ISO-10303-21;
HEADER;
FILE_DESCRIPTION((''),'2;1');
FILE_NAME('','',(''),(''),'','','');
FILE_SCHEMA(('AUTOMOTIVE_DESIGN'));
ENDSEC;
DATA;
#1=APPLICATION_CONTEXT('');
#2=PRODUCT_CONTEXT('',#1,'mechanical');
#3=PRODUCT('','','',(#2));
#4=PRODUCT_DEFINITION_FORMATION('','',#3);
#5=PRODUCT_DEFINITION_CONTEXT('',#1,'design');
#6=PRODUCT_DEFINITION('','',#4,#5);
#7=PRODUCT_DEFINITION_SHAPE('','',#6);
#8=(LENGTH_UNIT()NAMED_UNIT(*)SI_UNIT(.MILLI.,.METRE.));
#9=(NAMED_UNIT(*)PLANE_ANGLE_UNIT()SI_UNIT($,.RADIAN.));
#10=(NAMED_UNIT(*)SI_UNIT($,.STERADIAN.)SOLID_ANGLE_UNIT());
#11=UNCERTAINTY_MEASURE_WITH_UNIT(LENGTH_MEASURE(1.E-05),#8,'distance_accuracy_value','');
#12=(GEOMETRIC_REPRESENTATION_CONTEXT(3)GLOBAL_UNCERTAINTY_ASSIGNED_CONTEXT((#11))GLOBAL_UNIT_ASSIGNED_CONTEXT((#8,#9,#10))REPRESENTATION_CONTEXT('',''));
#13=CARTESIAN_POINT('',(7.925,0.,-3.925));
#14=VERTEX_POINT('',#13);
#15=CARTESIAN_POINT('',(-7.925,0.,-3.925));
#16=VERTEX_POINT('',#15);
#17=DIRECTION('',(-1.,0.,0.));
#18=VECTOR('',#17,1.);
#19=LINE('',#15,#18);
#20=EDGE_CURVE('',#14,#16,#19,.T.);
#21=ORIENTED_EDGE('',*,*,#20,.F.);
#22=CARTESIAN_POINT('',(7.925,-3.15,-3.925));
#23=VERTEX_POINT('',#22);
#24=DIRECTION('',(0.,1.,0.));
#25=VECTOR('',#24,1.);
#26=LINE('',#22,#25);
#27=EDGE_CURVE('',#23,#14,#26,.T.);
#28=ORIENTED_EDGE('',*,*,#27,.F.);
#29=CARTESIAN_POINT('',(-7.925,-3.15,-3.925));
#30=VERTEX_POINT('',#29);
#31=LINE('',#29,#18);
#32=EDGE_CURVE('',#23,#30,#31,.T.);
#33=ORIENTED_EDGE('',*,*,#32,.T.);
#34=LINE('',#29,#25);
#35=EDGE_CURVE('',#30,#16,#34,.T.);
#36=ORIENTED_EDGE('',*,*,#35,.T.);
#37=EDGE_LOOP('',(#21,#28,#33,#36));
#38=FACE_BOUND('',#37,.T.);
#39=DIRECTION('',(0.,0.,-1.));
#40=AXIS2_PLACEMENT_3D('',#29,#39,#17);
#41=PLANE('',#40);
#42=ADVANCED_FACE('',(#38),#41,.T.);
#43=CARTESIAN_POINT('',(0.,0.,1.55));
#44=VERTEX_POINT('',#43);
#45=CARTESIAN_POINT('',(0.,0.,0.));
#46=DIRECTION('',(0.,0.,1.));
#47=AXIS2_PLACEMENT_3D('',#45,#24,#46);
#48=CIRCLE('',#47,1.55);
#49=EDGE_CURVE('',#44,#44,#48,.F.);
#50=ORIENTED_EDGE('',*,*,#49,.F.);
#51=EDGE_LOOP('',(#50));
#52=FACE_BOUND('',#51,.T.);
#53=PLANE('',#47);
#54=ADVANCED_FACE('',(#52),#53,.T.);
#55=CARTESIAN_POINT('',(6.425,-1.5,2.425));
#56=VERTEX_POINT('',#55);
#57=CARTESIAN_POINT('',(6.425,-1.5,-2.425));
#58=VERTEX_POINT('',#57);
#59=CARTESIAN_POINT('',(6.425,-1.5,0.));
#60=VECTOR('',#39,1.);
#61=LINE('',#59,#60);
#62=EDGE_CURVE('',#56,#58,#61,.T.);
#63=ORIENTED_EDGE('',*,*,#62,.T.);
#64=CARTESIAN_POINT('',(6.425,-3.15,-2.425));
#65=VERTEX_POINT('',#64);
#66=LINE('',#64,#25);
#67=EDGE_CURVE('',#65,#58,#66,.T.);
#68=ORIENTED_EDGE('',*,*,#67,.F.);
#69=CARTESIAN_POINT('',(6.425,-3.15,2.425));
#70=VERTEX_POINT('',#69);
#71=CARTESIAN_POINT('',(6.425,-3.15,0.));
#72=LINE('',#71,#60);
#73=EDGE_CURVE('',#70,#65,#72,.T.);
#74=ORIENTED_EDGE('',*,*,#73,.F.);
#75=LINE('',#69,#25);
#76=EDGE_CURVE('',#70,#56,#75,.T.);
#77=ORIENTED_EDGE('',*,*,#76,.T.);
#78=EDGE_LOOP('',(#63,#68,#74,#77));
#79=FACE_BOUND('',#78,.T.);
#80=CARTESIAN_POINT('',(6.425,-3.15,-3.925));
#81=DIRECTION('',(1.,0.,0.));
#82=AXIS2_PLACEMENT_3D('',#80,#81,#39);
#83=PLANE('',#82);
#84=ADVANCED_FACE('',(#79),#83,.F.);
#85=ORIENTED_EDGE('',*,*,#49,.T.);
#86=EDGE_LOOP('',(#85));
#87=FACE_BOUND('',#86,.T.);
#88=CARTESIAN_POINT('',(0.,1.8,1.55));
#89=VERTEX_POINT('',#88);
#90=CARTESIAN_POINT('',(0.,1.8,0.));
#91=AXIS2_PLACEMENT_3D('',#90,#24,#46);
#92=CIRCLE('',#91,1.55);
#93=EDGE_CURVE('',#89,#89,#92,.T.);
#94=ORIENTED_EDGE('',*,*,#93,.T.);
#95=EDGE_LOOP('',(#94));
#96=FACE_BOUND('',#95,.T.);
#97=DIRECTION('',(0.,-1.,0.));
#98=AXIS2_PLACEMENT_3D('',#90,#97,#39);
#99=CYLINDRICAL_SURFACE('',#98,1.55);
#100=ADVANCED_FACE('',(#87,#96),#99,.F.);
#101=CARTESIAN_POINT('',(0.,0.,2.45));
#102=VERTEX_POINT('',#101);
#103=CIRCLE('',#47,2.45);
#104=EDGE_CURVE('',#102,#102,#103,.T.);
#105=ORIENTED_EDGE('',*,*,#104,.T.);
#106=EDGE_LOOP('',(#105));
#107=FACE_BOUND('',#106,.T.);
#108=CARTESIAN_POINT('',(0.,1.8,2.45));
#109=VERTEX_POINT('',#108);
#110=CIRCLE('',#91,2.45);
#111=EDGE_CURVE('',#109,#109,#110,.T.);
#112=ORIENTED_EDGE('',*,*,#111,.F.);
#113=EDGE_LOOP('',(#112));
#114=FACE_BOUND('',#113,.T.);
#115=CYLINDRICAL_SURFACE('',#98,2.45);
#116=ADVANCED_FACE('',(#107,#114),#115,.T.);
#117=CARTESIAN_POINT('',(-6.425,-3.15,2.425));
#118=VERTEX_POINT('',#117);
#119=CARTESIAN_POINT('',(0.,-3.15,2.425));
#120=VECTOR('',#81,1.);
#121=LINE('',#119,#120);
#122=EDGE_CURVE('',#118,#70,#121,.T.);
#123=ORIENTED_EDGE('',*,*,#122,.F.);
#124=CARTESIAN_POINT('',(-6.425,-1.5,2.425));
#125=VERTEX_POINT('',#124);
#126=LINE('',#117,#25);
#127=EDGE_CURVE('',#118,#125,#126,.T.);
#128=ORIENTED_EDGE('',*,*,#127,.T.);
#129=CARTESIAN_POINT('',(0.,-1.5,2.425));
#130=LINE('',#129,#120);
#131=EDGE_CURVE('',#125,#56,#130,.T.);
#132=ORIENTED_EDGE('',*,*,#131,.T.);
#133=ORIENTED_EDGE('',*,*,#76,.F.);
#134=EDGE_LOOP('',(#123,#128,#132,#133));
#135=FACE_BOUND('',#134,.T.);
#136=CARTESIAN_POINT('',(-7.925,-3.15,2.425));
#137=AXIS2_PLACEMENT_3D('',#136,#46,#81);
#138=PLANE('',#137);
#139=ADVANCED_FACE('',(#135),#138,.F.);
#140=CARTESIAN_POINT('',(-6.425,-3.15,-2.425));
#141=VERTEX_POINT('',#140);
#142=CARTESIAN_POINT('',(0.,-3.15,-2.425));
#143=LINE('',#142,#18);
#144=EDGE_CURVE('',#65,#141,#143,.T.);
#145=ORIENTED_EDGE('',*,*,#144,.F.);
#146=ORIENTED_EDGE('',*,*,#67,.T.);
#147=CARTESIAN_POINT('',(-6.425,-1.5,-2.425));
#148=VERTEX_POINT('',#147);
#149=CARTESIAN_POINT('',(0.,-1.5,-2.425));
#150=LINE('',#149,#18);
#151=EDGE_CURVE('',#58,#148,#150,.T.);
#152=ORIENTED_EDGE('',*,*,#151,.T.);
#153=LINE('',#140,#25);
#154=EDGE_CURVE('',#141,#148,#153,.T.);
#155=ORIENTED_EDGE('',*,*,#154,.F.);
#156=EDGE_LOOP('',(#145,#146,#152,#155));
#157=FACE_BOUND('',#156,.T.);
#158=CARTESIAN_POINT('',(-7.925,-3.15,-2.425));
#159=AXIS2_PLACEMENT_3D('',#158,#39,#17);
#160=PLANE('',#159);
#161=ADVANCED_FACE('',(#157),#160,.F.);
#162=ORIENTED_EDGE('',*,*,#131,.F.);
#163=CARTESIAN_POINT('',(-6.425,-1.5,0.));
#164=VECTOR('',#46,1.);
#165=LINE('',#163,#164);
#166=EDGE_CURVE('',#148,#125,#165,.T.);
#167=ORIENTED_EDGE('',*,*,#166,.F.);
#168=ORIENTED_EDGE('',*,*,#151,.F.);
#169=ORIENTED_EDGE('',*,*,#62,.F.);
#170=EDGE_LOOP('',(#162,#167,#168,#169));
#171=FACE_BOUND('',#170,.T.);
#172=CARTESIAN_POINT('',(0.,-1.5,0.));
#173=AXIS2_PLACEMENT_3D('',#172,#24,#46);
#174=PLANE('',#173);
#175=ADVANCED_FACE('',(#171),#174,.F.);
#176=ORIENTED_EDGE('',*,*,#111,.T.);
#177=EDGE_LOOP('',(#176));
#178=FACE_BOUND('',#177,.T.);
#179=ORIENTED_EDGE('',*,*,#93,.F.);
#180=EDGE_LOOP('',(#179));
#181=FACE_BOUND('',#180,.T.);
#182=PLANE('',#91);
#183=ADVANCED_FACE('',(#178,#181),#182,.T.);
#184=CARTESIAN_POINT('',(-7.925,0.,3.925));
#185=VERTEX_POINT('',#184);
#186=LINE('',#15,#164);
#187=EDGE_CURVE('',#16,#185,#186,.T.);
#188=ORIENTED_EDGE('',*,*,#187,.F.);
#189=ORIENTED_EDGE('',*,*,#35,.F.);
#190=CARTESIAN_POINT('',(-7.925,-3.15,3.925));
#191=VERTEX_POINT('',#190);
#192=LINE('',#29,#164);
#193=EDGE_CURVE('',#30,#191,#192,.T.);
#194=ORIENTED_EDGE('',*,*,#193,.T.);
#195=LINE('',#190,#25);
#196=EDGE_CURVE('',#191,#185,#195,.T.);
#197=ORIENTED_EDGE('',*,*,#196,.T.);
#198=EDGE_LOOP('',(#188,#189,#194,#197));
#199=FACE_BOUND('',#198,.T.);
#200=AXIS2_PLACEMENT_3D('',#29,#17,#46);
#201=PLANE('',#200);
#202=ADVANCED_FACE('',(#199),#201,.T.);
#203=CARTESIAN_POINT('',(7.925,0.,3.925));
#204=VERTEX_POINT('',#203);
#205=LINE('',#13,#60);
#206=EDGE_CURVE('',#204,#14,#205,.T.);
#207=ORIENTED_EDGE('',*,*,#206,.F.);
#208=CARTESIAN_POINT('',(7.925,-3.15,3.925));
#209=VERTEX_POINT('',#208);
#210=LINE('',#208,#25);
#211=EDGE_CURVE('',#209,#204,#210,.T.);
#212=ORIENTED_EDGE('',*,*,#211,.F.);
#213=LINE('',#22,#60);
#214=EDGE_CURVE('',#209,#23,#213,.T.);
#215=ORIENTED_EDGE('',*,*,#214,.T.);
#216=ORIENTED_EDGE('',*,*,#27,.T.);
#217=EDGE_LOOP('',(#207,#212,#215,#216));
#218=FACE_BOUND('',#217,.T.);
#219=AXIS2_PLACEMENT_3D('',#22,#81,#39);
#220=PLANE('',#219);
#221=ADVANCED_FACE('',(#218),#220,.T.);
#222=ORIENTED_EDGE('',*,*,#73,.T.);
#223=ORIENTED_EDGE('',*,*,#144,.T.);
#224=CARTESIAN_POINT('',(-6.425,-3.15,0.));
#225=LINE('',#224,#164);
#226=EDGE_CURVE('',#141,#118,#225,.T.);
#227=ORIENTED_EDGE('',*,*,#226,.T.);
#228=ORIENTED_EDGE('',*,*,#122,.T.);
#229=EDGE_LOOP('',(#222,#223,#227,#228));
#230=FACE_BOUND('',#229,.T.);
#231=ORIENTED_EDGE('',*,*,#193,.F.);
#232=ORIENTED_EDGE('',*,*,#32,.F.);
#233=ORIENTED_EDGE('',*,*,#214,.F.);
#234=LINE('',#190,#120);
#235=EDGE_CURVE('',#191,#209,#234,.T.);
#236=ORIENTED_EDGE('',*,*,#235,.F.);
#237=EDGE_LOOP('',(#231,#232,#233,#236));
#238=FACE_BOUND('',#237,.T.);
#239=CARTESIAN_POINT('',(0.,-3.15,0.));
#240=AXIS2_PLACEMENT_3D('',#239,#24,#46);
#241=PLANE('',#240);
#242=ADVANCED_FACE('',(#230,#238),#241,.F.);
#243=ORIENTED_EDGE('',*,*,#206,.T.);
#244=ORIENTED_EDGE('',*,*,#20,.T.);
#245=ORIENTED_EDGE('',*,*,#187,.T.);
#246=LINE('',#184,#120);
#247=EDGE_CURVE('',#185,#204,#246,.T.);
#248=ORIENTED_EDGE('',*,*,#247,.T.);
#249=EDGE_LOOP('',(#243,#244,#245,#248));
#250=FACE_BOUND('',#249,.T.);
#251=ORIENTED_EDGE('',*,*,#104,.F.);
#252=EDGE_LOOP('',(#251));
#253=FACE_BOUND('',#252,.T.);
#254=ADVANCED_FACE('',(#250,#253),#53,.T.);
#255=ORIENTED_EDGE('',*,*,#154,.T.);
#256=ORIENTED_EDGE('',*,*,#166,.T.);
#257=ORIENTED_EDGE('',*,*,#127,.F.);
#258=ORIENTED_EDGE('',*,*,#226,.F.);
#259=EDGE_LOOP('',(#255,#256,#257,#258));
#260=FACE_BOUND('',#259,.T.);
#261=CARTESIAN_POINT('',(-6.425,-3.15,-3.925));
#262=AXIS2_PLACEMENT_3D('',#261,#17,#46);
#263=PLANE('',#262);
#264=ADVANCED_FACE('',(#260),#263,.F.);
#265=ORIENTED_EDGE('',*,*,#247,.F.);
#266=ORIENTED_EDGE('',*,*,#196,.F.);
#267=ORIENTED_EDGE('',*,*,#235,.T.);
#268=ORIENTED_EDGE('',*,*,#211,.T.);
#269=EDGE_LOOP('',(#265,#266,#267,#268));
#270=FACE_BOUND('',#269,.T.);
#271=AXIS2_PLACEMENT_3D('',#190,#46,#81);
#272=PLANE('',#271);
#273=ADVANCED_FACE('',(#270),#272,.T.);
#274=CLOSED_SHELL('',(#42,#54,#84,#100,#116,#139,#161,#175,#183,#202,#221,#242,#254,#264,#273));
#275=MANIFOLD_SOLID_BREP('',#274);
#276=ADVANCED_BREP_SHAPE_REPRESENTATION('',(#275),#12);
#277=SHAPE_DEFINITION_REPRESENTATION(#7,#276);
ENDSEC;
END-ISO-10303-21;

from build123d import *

# Parameters (mm, degrees)
SKETCH1_W           = 15.85
SKETCH1_H           = 7.85
BOSS_EXTRUDE1_DEPTH = 3.15
SHELL1_T            = -1.5
SKETCH2_R           = 2.45
SKETCH2_R_2         = 1.55
BOSS_EXTRUDE2_DEPTH = 1.8


with BuildPart() as part:
    # Sketch1 → Boss-Extrude1 (new body)
    with BuildSketch(Plane(origin=(0, 0, 0), x_dir=(1, 0, 0), z_dir=(0, 1, 0))):
        Rectangle(SKETCH1_W, SKETCH1_H)
    extrude(amount=-BOSS_EXTRUDE1_DEPTH)

    # Shell1
    shell1_openings = [part.faces().sort_by_distance(p)[0] for p in [
        (0, -3.15, 0),
    ]]
    offset(amount=SHELL1_T, openings=shell1_openings, kind=Kind.INTERSECTION)

    # Sketch2 → Boss-Extrude2 (add)
    with BuildSketch(Plane(origin=(0, 0, 0), x_dir=(1, 0, 0), z_dir=(0, 1, 0))):
        with Locations(Location((0, 0, 0), (0, 0, 270))):
            Circle(SKETCH2_R)
        with Locations(Location((0, 0, 0), (0, 0, 270))):
            Circle(SKETCH2_R_2, mode=Mode.SUBTRACT)
    extrude(amount=BOSS_EXTRUDE2_DEPTH)


solid = part.part
